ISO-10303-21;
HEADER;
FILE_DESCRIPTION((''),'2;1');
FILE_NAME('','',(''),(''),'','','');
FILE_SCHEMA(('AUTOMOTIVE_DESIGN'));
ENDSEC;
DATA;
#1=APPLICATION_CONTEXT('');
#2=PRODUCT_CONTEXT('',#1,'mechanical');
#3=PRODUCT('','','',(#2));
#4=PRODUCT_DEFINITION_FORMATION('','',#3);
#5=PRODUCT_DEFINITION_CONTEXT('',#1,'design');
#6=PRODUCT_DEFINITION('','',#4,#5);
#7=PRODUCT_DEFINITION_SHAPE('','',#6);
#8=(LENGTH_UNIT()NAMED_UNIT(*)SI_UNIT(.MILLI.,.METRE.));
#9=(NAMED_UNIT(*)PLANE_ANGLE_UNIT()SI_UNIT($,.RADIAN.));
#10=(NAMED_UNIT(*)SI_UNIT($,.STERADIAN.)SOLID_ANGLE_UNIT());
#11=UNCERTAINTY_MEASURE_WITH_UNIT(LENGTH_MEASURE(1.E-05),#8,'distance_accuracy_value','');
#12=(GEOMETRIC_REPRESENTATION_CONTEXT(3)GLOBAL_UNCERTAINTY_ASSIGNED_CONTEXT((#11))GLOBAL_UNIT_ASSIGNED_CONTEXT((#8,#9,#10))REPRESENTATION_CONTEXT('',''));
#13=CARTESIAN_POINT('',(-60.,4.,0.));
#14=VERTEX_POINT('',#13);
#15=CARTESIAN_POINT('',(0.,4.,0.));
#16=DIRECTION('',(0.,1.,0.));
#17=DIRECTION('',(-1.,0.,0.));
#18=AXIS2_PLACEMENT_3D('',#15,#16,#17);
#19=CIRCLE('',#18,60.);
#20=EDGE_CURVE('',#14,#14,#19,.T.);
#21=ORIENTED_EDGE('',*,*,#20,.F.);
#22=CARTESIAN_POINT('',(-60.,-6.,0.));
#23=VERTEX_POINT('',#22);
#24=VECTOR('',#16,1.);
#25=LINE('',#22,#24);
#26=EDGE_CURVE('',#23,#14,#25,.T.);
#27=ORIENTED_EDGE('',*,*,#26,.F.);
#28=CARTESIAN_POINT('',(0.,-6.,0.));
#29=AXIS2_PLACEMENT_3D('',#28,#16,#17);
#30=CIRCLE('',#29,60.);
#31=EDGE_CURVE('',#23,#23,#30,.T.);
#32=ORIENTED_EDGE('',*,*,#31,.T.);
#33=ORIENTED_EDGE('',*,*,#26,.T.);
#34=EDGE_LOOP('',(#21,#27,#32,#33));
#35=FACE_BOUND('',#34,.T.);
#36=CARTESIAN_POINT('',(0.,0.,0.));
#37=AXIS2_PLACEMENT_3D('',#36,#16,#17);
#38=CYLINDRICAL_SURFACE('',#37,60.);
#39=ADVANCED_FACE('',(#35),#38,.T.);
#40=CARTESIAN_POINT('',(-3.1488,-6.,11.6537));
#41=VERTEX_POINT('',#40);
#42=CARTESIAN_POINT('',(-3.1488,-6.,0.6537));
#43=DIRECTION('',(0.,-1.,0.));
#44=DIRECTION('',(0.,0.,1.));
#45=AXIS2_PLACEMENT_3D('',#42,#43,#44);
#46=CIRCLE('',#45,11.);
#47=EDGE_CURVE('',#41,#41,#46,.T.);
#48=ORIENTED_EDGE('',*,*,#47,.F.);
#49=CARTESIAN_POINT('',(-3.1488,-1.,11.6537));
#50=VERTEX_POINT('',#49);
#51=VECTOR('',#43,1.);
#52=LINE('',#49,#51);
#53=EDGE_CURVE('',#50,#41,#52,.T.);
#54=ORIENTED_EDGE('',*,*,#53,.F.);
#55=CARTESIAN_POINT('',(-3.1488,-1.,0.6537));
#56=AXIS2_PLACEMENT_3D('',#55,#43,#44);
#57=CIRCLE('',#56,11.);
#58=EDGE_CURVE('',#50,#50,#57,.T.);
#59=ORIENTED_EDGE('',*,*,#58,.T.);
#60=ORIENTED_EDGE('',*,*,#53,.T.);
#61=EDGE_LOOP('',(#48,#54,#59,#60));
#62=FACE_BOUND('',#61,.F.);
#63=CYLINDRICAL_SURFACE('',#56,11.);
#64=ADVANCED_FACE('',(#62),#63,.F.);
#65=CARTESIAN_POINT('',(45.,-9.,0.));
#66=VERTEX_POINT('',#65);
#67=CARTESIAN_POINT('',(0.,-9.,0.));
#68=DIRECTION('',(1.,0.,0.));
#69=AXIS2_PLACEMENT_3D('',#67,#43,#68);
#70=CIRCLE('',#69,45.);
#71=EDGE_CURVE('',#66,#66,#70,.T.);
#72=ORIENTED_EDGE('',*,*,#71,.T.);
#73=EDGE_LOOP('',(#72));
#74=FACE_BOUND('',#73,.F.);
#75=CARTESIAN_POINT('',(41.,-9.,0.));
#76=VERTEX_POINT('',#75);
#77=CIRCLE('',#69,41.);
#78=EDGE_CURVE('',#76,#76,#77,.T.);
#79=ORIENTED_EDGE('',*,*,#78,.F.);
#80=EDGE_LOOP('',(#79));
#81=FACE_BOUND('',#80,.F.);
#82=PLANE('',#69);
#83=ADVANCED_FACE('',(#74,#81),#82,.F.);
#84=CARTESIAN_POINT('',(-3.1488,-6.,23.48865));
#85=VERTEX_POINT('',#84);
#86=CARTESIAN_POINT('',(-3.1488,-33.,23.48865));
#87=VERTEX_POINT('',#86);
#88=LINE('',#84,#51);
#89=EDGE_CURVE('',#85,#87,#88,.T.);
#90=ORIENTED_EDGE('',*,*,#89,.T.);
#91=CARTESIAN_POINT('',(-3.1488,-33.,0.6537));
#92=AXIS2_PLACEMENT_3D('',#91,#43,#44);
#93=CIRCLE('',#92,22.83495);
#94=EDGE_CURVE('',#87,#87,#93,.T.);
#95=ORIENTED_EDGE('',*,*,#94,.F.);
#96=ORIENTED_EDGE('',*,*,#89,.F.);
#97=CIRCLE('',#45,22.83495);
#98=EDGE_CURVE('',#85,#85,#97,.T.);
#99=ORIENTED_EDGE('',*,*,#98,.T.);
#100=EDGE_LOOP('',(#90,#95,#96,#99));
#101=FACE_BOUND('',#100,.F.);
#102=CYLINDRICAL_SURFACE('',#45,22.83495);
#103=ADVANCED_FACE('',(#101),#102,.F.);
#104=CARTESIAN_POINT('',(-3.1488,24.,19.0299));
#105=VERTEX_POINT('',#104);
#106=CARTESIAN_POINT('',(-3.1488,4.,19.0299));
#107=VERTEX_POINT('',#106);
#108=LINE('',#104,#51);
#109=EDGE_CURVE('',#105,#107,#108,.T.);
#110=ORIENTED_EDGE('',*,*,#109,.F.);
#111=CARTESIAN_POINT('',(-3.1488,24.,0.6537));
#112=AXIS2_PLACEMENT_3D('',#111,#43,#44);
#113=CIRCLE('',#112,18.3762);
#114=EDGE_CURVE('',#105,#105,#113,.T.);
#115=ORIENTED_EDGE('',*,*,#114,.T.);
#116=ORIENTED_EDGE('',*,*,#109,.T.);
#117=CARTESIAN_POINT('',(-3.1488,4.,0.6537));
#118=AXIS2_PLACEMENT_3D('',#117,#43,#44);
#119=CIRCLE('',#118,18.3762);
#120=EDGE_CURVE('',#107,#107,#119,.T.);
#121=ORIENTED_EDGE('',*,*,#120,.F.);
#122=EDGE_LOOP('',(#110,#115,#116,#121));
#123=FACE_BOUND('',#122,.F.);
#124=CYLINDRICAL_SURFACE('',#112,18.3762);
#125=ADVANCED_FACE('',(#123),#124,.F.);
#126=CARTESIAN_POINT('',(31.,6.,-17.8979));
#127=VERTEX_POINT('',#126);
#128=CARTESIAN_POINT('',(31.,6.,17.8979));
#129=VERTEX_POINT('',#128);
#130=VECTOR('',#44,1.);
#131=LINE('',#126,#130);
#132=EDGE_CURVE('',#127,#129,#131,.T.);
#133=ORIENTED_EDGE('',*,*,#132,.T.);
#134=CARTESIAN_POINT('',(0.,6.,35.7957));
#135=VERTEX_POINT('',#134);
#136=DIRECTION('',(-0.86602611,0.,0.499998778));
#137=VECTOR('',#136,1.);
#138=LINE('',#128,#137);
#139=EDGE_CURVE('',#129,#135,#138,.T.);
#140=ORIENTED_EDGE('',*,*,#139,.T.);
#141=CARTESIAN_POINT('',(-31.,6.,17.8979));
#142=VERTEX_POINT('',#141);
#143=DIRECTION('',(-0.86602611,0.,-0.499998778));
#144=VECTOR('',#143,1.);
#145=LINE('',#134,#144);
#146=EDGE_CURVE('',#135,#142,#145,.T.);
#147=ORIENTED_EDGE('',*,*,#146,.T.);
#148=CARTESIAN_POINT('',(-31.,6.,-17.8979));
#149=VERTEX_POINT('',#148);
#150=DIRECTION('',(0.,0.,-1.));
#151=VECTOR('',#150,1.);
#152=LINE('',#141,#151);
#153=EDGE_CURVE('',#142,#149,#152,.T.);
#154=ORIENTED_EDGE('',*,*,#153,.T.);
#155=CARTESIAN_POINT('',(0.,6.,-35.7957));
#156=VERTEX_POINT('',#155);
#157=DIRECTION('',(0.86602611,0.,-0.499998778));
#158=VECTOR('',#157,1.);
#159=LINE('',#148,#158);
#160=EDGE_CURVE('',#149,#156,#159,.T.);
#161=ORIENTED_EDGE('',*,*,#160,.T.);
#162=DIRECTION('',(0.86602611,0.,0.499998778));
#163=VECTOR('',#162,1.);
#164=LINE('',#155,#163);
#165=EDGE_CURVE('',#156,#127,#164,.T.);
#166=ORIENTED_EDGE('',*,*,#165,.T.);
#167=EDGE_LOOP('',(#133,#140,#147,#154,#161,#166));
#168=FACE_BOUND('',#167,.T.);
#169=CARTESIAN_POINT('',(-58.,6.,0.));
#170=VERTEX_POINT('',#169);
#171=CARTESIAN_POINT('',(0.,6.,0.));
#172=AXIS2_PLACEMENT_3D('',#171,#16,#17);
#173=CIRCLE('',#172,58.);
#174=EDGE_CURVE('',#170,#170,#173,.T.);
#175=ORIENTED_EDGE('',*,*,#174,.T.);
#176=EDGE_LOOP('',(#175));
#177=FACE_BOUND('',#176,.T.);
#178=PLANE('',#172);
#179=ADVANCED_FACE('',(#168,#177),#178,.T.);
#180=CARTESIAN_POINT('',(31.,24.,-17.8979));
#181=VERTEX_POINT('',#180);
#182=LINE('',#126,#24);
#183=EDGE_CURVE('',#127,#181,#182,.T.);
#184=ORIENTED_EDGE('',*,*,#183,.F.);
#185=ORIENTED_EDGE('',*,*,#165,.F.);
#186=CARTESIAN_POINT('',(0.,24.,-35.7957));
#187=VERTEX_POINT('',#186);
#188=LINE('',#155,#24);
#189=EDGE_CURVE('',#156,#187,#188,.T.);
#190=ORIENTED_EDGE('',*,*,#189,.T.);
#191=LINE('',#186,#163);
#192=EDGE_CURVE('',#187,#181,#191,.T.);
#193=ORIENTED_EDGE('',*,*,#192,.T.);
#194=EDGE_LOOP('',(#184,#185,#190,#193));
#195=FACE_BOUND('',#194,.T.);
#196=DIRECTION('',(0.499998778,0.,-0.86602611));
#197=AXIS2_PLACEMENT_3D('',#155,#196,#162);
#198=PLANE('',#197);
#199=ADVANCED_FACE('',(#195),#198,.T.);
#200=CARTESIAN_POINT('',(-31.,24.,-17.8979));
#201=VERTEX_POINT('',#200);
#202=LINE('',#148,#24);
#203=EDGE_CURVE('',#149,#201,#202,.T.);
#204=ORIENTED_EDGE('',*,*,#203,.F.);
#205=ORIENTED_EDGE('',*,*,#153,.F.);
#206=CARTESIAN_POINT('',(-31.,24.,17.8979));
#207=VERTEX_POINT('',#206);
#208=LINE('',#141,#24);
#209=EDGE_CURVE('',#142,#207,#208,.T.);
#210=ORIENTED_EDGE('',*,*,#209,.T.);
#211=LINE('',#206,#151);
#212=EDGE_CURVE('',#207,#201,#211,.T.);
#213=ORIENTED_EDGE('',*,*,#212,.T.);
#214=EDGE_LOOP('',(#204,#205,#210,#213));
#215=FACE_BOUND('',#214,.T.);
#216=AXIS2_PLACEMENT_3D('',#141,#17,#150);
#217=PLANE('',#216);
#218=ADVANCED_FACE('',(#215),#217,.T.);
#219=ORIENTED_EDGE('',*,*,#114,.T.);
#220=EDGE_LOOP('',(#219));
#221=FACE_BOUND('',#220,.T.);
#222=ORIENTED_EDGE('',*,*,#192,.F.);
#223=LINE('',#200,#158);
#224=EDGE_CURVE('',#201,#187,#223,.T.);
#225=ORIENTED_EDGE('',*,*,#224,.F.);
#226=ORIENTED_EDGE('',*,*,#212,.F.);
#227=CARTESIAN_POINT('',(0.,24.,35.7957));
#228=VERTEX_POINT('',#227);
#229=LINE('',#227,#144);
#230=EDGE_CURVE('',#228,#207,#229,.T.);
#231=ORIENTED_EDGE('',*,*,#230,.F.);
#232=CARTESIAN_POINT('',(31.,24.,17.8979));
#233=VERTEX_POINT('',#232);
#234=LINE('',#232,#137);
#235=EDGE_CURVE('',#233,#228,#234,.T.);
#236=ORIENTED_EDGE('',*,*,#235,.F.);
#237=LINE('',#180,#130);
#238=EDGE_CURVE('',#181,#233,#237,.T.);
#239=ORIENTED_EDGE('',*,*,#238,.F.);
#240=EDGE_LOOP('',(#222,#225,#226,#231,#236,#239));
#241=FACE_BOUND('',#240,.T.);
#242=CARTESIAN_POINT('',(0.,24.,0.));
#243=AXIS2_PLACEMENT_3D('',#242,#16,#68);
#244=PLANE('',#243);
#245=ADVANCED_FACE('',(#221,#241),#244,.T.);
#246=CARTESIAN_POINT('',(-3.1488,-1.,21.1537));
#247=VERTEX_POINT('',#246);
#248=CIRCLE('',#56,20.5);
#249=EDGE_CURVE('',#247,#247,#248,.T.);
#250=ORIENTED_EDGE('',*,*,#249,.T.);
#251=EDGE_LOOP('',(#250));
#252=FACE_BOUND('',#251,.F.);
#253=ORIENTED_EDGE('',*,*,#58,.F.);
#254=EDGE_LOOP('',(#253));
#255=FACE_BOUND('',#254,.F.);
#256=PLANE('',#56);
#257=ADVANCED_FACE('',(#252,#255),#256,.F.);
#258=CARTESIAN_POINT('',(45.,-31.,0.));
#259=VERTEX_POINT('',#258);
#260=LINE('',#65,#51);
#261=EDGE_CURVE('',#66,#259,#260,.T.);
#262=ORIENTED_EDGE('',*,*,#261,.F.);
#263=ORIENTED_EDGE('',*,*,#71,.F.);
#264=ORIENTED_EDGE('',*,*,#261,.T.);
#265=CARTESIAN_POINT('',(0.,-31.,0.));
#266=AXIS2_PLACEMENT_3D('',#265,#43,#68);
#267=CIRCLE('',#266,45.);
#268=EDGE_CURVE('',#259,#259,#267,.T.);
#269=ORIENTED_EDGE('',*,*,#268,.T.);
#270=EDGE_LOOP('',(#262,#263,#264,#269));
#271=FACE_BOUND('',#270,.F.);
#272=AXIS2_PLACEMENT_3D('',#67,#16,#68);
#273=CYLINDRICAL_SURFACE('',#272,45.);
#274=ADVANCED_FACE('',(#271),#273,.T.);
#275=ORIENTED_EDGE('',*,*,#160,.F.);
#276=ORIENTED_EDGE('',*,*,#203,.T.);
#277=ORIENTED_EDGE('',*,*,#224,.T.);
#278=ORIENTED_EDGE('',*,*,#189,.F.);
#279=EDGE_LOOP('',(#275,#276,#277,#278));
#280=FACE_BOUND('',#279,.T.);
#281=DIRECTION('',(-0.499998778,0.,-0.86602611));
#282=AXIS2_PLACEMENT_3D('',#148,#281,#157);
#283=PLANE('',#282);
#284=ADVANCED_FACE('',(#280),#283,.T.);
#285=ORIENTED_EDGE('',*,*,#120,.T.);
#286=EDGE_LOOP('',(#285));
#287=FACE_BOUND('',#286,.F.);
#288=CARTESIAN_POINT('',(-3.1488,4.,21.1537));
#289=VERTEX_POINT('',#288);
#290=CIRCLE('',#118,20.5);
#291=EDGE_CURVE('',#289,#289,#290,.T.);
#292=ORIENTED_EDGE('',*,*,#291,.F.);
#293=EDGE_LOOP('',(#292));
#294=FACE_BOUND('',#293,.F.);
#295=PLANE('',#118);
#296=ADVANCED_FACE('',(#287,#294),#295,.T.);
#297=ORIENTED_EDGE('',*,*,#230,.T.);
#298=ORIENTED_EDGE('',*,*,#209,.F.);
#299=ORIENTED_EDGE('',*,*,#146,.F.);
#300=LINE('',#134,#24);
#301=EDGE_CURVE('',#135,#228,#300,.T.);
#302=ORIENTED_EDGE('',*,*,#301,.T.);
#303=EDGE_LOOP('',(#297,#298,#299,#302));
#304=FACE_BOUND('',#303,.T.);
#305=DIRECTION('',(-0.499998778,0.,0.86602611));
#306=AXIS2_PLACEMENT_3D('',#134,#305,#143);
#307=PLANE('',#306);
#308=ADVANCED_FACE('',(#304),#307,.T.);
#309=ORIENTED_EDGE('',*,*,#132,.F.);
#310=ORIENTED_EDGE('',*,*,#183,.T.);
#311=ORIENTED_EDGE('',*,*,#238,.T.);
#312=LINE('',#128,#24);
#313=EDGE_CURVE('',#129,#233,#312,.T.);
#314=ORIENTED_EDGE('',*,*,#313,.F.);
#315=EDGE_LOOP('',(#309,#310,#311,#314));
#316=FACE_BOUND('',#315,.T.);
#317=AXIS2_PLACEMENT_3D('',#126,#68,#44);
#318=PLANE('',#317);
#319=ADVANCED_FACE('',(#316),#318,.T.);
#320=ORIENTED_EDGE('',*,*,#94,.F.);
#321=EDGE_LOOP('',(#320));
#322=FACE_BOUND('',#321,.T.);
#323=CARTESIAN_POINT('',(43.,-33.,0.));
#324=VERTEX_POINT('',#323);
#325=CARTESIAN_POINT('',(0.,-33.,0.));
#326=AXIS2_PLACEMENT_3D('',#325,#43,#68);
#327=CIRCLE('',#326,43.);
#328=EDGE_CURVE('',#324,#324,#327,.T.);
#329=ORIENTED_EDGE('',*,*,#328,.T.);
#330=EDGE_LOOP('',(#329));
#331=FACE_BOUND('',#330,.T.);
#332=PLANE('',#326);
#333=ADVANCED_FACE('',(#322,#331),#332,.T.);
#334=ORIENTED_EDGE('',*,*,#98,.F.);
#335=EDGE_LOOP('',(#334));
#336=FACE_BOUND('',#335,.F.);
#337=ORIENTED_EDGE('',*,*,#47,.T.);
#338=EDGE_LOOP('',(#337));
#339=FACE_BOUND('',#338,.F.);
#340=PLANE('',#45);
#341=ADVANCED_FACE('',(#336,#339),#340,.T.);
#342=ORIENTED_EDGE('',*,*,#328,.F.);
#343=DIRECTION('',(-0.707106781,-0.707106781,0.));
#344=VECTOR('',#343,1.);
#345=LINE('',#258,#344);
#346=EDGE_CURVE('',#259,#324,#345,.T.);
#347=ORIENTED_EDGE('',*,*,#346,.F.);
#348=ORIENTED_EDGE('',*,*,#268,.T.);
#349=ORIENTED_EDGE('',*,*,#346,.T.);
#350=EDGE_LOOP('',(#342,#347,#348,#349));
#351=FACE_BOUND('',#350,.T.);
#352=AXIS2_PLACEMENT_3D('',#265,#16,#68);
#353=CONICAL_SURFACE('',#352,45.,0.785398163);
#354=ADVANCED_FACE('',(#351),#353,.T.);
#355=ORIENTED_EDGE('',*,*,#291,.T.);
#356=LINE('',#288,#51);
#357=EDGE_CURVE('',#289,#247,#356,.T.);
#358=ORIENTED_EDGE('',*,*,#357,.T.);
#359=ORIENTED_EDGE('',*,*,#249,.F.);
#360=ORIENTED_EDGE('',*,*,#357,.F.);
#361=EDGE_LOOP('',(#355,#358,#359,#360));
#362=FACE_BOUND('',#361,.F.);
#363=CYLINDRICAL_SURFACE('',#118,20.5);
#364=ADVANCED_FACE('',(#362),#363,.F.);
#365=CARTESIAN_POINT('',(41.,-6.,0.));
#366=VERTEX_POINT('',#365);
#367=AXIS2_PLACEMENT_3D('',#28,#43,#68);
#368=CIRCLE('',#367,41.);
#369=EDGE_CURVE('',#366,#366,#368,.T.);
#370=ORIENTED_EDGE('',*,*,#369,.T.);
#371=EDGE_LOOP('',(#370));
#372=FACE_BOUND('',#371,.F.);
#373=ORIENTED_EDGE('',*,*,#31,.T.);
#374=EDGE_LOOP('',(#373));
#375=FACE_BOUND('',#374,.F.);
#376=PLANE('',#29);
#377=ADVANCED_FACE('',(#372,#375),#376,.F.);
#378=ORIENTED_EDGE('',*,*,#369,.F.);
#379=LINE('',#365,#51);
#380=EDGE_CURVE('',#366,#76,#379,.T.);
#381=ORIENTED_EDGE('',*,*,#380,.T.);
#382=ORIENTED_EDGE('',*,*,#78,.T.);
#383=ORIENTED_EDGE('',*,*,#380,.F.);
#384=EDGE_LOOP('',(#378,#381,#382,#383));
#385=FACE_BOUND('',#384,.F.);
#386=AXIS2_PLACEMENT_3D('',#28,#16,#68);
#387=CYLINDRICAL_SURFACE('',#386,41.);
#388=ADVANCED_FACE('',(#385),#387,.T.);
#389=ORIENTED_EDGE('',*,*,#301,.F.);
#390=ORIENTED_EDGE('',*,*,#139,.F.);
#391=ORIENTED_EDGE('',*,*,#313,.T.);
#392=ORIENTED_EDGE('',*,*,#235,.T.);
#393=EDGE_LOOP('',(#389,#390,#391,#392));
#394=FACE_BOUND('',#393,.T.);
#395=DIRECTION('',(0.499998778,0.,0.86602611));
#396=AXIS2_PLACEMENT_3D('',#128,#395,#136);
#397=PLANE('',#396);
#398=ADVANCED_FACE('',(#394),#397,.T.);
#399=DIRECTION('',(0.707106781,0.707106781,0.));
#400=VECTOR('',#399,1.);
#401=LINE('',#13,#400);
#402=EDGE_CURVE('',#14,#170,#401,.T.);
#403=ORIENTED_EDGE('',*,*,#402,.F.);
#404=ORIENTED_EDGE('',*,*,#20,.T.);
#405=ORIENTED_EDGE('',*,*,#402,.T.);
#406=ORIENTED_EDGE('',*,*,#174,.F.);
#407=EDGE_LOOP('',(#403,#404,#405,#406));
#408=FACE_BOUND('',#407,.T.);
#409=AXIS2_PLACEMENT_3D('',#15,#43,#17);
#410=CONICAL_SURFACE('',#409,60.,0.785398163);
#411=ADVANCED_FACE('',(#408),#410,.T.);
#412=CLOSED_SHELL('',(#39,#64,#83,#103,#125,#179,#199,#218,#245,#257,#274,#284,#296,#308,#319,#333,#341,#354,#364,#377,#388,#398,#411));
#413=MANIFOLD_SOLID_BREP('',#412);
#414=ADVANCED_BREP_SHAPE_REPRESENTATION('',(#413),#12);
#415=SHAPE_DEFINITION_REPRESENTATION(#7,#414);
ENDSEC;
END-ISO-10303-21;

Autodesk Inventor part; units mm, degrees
ref_plane "YZ Plane" through (0, 0, 0) normal (1, 0, 0) x (0, 1, 0)
ref_plane "XZ Plane" through (0, 0, 0) normal (0, 1, 0) x (-1, 0, 0)
ref_plane "XY Plane" through (0, 0, 0) normal (0, 0, 1) x (1, 0, 0)
sketch "草图1" plane through (0, 0, 0) normal (0, 1, 0) x (-1, 0, 0)
  circle A0 centre (0, 0) radius 60
  dimension "d0" = 120
extrude "拉伸1" add sketch "草图1" along normal mid plane 12
sketch "草图2" plane through (0, -6, 0) normal (0, -1, 0) x (1, 0, 0)
  circle A0 centre (0, 0) radius 41
  dimension "d3" = 82
extrude "拉伸2" add sketch "草图2" along normal blind 3
sketch "草图3" plane through (0, -9, 0) normal (0, -1, 0) x (1, 0, 0)
  circle A0 centre (0, 0) radius 45
  dimension "d6" = 90
extrude "拉伸3" add sketch "草图3" along normal blind 24
thread "螺纹1" size "M90x6" class "6g" standard "GB Metric profile" full length
sketch "草图4" plane through (0, 6, 0) normal (0, 1, 0) x (1, 0, 0)
  line L0 (-31, 17.8979) -> (0, 35.7957)
  line L1 (0, 35.7957) -> (31, 17.8979)
  line L2 (31, 17.8979) -> (31, -17.8979)
  line L3 (31, -17.8979) -> (0, -35.7957)
  line L4 (0, -35.7957) -> (-31, -17.8979)
  line L5 (-31, -17.8979) -> (-31, 17.8979)
  point P0 (0, 0)
  point P1 (0, 0)
  dimension "d11" = 62
extrude "拉伸4" add sketch "草图4" along normal blind 18
sketch "草图5" plane through (0, 24, 0) normal (0, 1, 0) x (1, 0, 0)
  line L0 (0, 35.7957) -> (-31, 17.8979) projected
  point P0 (0, 0)
  point P1 (-3.1488, -0.6537)
  dimension "d14" = 29.9917
hole "孔1" at (-3.1488, 24, 0.6537) direction (0, -1, 0) diameter 36.7524 depth 20 thread size "M40x3" class "6H" standard "GB Metric profile"
sketch "草图6" plane through (-3.1488, 4, 0.6537) normal (0, 1, 0) x (1, 0, 0)
  circle A0 centre (0, 0) radius 18.3762 projected
  point P0 (3.1488, 0.6537)
hole "孔2" at (-3.1488, 4, 0.6537) direction (0, -1, 0) diameter 41 depth 5
sketch "草图7" plane through (-3.1488, -1, 0.6537) normal (0, 1, 0) x (1, 0, 0)
  circle A0 centre (0, 0) radius 20.5 projected
  point P0 (3.1488, 0.6537)
hole "孔3" at (-3.1488, -1, 0.6537) direction (0, -1, 0) diameter 22 depth 5
sketch "草图8" plane through (-3.1488, -6, 0.6537) normal (0, 1, 0) x (1, 0, 0)
  circle A0 centre (0, 0) radius 11 projected
  point P0 (3.1488, 0.6537)
hole "孔4" at (-3.1488, -6, 0.6537) direction (0, -1, 0) diameter 45.6699 end through all thread size "M50x4" class "6H" standard "GB Metric profile"
chamfer "倒角1" distance 2 angle 45 2 edges at (60, 6, 0) (-45, -33, 0)
properties part number "螺盖" material "不锈钢"
